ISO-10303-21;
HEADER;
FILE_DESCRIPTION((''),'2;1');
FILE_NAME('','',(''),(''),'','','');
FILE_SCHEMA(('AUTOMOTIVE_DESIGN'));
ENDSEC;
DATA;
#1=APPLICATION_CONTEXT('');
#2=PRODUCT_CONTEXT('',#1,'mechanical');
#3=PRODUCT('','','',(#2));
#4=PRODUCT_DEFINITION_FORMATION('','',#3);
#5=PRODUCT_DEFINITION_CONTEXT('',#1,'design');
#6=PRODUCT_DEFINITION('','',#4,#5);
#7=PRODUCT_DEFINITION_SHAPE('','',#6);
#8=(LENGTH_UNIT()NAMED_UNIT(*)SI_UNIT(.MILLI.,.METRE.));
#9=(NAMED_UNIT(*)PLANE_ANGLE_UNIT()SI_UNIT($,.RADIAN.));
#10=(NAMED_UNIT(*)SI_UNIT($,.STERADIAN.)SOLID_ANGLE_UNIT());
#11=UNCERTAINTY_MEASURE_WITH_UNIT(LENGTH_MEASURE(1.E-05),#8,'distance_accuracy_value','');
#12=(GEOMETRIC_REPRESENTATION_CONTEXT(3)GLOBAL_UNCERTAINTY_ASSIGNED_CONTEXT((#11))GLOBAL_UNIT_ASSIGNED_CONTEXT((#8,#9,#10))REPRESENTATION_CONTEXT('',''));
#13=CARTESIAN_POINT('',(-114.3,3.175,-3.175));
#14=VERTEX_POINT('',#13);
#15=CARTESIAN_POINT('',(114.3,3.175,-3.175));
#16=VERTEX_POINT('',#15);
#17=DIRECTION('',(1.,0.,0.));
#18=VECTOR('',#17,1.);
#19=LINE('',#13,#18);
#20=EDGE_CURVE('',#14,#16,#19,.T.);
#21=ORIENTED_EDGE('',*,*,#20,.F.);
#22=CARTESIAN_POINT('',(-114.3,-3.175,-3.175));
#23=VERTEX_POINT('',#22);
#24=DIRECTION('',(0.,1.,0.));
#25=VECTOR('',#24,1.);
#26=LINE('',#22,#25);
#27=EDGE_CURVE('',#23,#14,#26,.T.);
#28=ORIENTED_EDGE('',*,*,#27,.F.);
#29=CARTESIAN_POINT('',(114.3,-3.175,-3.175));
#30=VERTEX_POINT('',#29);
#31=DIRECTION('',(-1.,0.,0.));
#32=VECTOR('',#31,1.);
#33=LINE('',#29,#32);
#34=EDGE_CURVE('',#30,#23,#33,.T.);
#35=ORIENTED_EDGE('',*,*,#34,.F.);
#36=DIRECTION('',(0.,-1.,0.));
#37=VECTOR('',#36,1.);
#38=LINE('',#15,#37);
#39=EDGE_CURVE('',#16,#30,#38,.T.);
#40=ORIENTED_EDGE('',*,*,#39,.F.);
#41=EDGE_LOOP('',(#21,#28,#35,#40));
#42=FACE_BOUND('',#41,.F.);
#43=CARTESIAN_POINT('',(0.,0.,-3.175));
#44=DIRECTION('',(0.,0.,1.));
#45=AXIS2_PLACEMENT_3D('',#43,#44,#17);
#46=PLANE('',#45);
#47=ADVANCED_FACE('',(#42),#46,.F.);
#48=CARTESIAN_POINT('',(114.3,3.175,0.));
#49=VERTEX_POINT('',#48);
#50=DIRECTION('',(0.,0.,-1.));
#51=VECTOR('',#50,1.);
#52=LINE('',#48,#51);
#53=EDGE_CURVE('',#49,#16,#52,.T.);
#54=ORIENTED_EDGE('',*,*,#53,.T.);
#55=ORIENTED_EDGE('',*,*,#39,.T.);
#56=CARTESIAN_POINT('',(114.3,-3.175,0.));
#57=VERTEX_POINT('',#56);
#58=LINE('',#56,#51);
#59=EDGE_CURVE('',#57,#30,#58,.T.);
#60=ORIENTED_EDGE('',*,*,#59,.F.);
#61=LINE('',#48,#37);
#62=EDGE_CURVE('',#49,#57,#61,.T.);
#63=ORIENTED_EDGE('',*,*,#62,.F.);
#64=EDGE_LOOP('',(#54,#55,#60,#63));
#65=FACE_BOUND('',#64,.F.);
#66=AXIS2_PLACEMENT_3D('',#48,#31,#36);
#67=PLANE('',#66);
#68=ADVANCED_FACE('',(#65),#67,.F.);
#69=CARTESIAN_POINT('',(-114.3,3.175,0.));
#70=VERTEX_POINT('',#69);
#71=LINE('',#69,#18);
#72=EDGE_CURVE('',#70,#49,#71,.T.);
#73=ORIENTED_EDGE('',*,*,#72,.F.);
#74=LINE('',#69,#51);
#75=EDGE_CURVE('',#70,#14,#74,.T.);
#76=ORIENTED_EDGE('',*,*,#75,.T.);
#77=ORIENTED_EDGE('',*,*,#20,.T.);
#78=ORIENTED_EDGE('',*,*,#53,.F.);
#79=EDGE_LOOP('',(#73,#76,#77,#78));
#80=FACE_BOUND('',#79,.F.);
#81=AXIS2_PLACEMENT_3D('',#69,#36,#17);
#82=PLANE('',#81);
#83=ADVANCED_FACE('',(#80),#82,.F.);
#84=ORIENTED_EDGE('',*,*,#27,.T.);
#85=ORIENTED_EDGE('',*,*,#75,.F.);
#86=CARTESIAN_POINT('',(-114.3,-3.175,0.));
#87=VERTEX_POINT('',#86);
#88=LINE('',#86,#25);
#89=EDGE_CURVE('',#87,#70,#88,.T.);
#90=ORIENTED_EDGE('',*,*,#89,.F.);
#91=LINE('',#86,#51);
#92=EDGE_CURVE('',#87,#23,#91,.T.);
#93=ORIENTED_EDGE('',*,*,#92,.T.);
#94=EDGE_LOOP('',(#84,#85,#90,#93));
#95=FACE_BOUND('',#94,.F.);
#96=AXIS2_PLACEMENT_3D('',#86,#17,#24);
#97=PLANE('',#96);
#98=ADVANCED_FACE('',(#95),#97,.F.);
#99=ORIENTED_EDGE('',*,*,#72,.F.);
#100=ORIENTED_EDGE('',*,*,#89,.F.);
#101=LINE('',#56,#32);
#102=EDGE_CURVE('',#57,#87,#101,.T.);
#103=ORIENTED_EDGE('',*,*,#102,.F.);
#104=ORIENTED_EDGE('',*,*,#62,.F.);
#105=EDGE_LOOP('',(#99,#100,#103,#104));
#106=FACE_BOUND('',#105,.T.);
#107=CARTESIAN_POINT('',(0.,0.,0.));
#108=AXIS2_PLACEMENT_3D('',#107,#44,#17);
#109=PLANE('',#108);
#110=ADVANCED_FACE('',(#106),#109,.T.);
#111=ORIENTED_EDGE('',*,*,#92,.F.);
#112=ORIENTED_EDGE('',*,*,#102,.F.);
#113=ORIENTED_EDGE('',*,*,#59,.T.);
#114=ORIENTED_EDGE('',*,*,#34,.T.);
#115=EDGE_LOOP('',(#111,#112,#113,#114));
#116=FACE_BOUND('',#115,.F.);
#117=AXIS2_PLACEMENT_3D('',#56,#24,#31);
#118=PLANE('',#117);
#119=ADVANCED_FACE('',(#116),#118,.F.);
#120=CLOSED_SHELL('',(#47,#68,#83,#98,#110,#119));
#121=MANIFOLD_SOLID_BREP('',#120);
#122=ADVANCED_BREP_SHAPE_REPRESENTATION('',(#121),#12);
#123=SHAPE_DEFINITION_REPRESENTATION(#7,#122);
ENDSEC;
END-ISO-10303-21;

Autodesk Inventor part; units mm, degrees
ref_plane "YZ Plane" through (0, 0, 0) normal (1, 0, 0) x (0, 1, 0)
ref_plane "XZ Plane" through (0, 0, 0) normal (0, 1, 0) x (-1, 0, 0)
ref_plane "XY Plane" through (0, 0, 0) normal (0, 0, 1) x (1, 0, 0)
sketch "Sketch1" plane through (0, 0, 0) normal (0, 0, 1) x (1, 0, 0)
  line L0 (-114.3, 3.175) -> (114.3, 3.175)
  line L1 (114.3, 3.175) -> (114.3, -3.175)
  line L2 (114.3, -3.175) -> (-114.3, -3.175)
  line L3 (-114.3, -3.175) -> (-114.3, 3.175)
  point P0 (0, 0)
  dimension "d0" = 6.35
  dimension "d1" = 3.175
  dimension "d2" = 228.6
  dimension "d3" = 114.3
extrude "Extrusion1" add sketch "Sketch1" against normal blind 3.175
equation "\"d1\" = 0.5 * d0"
equation "\"d3\" = 0.5 * d2"
properties part number "Flap_Hinge_Block"
